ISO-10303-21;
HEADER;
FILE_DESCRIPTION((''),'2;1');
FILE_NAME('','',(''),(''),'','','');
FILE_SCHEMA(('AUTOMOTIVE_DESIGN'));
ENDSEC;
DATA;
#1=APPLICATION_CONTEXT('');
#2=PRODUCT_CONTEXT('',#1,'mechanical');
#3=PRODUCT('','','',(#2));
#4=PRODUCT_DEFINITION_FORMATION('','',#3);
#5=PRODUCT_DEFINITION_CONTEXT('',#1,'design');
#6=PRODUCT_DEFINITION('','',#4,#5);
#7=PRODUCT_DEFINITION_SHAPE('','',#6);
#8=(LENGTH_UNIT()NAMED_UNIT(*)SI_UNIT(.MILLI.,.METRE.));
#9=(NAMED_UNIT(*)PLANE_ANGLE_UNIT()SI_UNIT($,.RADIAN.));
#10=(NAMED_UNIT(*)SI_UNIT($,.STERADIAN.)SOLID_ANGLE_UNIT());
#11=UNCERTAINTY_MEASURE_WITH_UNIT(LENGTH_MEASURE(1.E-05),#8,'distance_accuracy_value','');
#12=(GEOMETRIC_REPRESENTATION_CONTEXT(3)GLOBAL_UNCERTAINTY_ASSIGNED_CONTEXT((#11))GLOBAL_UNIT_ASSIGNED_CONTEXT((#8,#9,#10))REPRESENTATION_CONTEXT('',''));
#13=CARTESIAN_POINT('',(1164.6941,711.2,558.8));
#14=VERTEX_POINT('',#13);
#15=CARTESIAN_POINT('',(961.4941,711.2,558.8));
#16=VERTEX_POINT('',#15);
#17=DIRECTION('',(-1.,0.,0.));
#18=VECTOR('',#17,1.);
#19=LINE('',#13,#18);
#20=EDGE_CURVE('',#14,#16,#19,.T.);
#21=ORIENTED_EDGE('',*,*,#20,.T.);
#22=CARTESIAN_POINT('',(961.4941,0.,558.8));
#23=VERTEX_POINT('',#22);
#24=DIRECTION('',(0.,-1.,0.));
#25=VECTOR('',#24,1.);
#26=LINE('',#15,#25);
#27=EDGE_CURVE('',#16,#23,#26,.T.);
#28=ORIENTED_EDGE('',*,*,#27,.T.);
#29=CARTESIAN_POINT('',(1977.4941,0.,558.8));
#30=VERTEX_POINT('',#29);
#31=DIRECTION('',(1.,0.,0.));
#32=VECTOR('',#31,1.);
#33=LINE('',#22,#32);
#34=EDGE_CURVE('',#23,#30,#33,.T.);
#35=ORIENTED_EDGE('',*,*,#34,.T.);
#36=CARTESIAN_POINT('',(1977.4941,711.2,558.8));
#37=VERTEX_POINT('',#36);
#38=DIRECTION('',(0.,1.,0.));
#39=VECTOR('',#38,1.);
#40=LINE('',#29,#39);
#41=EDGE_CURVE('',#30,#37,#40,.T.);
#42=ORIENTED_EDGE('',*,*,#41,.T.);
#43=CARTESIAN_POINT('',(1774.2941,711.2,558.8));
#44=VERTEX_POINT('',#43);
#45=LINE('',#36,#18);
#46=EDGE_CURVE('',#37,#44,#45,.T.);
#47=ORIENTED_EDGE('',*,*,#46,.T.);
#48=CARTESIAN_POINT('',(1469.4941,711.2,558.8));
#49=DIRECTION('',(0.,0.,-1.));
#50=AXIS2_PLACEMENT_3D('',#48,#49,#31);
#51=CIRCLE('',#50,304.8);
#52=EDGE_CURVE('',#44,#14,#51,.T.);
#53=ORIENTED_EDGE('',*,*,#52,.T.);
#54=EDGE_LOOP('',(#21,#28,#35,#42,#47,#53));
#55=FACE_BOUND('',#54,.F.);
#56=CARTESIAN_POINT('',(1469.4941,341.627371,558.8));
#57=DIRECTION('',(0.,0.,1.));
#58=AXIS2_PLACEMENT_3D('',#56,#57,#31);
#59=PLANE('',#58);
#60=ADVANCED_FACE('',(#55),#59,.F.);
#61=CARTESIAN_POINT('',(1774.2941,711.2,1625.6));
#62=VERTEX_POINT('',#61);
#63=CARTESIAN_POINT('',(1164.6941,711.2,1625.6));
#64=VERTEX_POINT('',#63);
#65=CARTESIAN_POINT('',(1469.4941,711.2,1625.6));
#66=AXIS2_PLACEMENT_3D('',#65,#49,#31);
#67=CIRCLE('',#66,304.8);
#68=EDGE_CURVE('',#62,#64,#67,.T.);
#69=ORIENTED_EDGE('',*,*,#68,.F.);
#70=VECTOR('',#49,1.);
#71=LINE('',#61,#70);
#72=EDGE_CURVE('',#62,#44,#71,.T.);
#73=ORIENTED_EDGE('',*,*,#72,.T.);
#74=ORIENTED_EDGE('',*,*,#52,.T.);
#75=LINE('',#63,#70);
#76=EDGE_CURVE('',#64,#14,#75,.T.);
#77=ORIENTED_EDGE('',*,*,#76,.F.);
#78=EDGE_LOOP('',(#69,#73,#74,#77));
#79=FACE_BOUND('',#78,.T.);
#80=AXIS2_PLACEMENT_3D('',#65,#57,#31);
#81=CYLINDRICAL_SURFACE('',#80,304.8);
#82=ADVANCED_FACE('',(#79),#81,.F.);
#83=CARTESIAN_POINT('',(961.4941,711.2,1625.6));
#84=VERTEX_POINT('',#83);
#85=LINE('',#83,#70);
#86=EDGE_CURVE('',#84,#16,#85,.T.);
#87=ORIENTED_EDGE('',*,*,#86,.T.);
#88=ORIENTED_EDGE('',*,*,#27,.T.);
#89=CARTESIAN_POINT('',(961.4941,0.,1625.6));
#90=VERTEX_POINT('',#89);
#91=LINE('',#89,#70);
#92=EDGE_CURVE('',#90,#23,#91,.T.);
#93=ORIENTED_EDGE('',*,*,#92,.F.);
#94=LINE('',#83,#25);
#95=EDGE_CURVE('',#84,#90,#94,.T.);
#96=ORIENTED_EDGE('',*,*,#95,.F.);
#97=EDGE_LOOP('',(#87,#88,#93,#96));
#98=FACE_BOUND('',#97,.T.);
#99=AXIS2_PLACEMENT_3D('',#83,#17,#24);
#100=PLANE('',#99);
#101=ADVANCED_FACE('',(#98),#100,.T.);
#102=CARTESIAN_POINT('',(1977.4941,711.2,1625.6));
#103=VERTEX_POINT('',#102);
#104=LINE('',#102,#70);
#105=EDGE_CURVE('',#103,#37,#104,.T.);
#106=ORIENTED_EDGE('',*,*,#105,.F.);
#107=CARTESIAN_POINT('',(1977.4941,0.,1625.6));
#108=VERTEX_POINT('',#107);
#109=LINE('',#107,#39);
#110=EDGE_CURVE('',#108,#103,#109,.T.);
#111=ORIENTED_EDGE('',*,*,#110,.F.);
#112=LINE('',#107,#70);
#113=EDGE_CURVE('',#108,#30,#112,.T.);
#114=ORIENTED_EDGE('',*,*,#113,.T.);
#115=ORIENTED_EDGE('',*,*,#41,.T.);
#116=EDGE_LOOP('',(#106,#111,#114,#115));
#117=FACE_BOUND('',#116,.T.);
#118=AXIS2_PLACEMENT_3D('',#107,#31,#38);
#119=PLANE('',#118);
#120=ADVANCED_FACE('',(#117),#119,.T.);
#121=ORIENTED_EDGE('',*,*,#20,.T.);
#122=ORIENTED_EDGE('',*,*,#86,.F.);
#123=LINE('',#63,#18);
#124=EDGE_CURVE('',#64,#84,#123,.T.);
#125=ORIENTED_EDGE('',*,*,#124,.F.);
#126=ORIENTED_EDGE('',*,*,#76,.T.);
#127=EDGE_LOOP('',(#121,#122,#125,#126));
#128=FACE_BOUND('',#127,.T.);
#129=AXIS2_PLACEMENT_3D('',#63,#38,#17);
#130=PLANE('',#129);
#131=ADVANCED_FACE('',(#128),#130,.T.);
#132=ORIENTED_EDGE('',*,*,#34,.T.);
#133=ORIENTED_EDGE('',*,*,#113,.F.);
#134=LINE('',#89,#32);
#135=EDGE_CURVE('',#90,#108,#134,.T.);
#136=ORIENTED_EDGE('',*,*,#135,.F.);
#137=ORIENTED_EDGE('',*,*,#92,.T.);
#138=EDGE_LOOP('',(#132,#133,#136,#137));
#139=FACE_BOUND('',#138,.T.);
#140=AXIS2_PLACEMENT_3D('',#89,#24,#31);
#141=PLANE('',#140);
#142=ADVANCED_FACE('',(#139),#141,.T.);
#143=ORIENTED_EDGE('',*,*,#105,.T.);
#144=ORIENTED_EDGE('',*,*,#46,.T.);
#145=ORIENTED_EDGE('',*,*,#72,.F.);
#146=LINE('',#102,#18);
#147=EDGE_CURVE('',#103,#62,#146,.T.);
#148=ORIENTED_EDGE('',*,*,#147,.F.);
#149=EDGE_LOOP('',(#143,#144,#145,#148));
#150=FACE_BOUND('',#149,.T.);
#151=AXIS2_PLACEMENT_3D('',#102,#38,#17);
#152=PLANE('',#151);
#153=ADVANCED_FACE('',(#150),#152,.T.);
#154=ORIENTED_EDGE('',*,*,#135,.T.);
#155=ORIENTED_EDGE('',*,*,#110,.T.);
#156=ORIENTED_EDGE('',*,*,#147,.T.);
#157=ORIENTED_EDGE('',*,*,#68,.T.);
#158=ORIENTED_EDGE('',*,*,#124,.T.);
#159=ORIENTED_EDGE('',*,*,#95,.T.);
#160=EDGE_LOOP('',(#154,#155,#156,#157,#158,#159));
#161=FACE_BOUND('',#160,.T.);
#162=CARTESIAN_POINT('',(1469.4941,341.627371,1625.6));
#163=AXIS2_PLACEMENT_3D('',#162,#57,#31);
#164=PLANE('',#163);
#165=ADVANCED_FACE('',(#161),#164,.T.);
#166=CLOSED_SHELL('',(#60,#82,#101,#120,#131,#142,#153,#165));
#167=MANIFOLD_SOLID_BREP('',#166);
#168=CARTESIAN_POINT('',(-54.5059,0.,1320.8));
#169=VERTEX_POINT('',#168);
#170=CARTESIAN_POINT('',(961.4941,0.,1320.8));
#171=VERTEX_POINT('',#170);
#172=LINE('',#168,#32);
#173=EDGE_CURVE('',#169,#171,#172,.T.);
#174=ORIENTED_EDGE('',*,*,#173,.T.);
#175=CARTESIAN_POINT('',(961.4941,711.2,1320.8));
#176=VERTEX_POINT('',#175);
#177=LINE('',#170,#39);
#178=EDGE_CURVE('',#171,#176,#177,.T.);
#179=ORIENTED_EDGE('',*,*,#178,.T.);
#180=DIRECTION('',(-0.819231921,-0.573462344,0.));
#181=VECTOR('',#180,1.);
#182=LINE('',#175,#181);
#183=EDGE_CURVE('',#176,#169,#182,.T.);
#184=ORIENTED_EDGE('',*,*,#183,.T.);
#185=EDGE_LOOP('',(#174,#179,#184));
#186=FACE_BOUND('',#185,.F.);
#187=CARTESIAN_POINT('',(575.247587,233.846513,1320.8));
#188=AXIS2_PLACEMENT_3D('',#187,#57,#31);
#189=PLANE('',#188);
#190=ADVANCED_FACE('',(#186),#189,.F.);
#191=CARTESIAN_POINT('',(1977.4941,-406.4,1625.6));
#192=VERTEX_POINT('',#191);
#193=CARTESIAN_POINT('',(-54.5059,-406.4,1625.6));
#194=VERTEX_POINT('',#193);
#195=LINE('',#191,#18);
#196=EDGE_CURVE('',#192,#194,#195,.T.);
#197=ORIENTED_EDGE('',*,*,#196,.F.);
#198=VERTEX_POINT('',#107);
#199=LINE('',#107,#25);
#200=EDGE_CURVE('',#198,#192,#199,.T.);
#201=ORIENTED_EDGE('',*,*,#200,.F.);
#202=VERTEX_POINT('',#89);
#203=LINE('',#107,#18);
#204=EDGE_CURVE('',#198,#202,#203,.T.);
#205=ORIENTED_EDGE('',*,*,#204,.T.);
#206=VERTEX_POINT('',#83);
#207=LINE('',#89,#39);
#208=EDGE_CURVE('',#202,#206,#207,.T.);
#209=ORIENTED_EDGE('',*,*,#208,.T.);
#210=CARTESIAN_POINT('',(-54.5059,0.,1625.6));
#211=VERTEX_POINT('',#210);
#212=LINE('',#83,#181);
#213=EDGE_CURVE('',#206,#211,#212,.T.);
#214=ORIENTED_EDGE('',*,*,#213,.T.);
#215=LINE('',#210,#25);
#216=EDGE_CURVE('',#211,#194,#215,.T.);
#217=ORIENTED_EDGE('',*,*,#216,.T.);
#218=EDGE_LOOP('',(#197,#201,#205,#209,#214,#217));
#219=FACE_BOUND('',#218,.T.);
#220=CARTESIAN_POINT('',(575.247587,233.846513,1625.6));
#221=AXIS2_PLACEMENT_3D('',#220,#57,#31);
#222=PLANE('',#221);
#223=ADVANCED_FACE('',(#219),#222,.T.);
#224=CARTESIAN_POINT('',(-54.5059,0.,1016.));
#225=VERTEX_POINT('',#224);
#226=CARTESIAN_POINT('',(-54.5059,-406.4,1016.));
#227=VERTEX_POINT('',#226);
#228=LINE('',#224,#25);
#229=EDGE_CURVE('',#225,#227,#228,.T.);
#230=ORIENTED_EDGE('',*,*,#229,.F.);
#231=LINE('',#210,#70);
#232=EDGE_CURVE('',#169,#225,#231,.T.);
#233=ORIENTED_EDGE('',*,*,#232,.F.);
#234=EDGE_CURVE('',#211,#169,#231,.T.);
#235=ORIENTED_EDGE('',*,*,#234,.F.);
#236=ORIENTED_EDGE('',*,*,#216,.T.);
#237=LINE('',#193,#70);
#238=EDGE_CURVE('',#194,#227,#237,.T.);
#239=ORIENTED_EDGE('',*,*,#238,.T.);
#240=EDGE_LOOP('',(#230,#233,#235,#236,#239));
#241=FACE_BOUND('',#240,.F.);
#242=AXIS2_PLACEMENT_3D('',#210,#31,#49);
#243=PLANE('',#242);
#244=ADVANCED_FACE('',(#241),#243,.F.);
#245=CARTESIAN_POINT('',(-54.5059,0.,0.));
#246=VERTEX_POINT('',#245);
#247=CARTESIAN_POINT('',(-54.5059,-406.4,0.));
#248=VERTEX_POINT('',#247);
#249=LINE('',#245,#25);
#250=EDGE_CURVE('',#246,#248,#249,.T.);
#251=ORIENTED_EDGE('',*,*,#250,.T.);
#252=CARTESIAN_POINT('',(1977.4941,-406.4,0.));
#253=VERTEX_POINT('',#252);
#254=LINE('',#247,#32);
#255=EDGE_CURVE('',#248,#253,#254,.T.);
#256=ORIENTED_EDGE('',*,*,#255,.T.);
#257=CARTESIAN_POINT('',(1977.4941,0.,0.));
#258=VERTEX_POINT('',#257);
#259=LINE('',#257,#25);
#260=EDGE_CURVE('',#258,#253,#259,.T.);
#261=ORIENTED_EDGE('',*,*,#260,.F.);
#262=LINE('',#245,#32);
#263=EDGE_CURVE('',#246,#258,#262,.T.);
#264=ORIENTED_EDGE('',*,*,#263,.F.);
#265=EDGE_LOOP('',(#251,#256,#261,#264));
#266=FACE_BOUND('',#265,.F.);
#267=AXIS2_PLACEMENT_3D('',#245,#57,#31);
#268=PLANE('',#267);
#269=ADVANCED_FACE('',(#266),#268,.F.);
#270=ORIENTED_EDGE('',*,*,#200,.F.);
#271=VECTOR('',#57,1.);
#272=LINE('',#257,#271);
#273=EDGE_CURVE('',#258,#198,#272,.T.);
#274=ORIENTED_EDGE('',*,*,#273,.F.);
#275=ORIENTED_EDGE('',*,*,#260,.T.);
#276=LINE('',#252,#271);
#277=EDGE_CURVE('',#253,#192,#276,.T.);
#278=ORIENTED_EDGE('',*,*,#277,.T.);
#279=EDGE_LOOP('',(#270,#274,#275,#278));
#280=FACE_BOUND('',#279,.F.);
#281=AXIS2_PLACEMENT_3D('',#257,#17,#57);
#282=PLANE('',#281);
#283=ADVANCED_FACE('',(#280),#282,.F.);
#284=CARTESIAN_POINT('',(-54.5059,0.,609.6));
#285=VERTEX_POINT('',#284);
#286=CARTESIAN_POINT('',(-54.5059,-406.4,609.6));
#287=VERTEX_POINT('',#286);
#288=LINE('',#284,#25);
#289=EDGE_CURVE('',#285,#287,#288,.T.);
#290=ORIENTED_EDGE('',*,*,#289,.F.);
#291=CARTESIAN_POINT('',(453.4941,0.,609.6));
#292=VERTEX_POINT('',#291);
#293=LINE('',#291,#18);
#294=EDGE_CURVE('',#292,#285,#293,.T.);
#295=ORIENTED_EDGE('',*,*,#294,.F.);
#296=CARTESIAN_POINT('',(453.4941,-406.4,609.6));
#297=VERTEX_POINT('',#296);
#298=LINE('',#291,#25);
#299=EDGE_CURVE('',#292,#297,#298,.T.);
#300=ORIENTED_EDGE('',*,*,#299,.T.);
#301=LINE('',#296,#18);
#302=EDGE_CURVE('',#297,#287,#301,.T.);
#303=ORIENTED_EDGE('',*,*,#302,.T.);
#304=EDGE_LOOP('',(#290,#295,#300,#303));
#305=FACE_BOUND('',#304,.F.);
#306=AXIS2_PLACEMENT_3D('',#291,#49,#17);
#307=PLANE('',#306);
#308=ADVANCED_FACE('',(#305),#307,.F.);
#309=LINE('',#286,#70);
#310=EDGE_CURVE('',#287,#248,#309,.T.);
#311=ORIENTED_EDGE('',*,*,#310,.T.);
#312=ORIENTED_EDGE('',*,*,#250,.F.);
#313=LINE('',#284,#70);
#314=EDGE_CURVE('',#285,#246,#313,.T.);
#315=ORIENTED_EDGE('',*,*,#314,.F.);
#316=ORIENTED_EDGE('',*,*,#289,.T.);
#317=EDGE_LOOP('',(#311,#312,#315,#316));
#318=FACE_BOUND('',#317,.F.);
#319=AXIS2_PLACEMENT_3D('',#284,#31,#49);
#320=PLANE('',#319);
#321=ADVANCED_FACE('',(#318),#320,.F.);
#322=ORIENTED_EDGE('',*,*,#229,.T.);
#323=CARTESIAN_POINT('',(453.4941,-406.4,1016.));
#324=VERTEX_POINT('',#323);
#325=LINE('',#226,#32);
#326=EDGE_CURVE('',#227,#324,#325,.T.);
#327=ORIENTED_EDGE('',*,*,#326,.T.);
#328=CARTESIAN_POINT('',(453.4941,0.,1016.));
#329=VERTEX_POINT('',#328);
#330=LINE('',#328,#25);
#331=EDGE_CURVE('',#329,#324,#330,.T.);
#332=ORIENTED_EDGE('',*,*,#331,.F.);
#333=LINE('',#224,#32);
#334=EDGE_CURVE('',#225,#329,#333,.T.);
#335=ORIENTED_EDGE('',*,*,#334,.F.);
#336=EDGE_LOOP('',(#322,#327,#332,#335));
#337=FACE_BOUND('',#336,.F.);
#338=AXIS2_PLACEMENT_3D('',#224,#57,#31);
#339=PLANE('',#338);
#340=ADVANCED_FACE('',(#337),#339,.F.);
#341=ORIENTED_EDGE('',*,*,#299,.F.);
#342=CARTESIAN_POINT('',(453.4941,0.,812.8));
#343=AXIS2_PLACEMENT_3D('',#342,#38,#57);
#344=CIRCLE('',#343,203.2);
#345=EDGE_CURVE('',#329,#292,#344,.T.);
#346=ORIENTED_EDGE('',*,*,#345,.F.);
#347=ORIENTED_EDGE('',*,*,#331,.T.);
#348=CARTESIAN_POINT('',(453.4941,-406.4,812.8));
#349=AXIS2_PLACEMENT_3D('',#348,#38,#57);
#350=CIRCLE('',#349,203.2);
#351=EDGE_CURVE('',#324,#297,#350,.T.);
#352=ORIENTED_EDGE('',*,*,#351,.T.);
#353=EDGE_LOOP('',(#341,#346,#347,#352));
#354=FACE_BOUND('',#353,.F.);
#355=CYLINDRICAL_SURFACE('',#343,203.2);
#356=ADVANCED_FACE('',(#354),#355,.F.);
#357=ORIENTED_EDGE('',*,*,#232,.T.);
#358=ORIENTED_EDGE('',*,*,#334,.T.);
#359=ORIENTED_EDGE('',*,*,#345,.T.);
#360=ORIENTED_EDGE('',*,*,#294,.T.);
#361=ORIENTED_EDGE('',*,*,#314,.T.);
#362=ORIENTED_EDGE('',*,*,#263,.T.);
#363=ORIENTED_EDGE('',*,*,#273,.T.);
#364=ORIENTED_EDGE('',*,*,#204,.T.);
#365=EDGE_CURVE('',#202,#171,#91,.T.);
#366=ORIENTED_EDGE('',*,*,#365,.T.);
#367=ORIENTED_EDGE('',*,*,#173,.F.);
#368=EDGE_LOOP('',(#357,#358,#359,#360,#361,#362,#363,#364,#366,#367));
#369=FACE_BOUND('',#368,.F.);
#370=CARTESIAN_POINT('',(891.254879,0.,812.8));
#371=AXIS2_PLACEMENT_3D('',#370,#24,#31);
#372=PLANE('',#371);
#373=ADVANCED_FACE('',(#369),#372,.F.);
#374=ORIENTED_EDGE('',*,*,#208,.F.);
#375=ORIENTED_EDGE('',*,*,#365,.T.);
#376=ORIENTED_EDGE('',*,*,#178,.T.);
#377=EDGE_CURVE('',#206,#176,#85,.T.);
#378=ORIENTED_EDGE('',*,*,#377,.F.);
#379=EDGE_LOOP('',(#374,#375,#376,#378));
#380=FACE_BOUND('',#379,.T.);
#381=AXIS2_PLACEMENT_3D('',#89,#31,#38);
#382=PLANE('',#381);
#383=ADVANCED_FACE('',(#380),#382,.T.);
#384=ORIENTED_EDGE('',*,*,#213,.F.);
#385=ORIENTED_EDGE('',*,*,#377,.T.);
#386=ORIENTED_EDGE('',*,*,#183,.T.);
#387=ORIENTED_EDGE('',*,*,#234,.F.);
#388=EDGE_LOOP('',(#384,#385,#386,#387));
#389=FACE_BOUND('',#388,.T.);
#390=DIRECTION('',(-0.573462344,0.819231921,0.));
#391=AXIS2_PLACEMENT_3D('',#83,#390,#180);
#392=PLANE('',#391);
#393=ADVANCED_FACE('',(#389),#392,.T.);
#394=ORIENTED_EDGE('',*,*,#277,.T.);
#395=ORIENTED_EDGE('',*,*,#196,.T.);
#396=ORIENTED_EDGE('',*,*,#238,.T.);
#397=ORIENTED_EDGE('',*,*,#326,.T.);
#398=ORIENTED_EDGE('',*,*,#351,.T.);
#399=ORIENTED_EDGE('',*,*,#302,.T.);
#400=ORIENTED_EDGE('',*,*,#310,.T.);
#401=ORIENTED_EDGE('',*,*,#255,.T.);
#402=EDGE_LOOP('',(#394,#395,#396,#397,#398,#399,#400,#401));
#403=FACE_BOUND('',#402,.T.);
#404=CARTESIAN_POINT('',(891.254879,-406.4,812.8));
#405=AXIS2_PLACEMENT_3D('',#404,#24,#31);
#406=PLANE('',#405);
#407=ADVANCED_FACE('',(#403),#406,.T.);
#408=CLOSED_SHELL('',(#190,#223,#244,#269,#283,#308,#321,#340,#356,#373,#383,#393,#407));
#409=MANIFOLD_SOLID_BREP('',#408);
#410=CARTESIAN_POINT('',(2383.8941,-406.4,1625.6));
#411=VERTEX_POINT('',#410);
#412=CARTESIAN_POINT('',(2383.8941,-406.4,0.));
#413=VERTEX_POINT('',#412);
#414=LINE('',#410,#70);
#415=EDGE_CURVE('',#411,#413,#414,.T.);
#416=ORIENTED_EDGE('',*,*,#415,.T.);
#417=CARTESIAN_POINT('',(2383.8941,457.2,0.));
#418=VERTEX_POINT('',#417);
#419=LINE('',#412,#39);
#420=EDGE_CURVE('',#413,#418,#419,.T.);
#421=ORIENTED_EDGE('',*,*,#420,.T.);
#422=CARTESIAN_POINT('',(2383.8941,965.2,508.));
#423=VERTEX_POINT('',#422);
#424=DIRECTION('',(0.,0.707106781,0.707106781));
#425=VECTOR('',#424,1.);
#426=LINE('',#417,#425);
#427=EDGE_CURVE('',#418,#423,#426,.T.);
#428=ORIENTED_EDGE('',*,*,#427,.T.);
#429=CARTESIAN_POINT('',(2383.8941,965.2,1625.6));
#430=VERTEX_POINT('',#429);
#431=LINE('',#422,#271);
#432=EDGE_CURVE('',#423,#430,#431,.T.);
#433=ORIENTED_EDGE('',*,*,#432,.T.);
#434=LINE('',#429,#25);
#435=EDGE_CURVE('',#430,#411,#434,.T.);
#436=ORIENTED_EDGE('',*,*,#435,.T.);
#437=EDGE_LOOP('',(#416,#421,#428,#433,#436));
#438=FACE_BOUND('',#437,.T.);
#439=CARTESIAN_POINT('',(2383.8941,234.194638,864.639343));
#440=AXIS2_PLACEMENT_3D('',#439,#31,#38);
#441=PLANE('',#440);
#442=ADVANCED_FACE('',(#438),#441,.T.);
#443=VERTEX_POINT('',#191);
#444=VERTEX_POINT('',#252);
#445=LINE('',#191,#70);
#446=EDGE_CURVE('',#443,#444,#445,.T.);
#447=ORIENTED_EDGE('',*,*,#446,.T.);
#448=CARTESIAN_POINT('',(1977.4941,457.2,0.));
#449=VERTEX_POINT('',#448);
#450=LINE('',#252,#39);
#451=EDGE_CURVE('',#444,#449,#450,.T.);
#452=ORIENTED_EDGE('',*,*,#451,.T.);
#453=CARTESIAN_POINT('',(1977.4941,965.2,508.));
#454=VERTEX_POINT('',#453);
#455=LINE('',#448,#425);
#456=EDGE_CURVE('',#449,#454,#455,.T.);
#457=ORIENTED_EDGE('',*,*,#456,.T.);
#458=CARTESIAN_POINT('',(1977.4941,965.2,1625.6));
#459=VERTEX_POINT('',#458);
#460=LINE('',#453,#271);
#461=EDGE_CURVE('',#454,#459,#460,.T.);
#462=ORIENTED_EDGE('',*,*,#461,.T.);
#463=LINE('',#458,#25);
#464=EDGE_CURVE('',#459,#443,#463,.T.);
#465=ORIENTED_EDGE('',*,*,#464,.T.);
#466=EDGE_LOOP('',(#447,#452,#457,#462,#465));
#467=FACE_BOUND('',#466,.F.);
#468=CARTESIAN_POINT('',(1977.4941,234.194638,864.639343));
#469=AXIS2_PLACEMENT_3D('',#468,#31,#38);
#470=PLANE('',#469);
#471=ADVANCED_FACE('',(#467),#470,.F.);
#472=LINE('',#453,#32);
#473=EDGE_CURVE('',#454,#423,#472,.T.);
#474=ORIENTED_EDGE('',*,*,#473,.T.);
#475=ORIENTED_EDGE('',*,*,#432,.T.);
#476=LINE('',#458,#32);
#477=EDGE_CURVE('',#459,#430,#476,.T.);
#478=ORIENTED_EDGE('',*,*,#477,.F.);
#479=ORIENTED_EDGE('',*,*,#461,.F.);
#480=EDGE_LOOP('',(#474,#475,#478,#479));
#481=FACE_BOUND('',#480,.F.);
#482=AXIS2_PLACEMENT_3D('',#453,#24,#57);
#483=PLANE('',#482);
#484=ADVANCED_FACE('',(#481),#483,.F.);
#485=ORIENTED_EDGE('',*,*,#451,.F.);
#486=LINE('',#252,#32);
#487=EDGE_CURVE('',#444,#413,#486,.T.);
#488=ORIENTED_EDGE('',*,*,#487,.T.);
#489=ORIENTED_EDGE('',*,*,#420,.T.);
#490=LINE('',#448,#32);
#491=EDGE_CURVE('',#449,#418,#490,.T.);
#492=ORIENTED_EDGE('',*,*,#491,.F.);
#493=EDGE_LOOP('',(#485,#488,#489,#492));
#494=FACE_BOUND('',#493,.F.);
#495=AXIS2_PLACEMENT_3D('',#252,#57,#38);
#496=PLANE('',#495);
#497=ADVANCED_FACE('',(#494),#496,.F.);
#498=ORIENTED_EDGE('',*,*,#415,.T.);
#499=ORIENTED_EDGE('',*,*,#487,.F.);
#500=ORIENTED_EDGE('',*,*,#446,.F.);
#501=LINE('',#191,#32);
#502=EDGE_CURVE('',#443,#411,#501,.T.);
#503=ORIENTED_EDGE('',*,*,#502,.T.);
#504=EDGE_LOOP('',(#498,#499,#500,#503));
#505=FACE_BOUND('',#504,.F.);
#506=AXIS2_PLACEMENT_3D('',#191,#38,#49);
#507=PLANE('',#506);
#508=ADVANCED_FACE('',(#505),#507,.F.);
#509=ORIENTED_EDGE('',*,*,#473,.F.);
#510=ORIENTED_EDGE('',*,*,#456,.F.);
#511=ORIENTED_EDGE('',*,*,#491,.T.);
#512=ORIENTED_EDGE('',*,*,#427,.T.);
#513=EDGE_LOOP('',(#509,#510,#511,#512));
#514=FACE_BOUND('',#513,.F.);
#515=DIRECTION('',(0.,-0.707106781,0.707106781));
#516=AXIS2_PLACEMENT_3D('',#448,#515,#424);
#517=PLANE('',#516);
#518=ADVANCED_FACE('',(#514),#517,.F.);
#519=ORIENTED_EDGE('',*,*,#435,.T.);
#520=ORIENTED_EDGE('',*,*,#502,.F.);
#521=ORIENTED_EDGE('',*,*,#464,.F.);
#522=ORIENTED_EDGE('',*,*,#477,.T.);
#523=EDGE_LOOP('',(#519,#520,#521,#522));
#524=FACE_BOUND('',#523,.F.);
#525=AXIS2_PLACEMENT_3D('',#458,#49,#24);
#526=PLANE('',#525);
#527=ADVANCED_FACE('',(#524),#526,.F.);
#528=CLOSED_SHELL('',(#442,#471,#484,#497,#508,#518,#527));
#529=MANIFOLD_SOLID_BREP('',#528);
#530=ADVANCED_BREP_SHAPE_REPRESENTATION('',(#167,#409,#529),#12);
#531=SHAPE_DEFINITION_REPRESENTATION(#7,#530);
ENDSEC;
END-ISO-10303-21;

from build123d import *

# Parameters (mm, degrees)
F1_DEPTH = 406.4
F3_DEPTH = 304.8
F6_DEPTH = 1066.8
F7_DEPTH = 406.4


with BuildPart() as f1:
    # F0 (on Front) → F1 (new body)
    with BuildSketch(Plane.XZ):
        with BuildLine():
            Line((-54.5059, 0), (1977.4941, 0))
            Line((1977.4941, 0), (1977.4941, 1625.6))
            Line((1977.4941, 1625.6), (-54.5059, 1625.6))
            Line((-54.5059, 1625.6), (-54.5059, 1016))
            Line((-54.5059, 1016), (453.4941, 1016))
            ThreePointArc((453.4941, 1016), (656.6941, 812.8), (453.4941, 609.6))
            Line((453.4941, 609.6), (-54.5059, 609.6))
            Line((-54.5059, 609.6), (-54.5059, 0))
        make_face()
    extrude(amount=F1_DEPTH)

    # F2 (on face) → F3 (join)
    with BuildSketch(Plane.XY.offset(1625.6)):
        Polygon((961.4941, 711.2), (-54.5059, 0), (961.4941, 0), align=None)
    extrude(amount=-F3_DEPTH)


with BuildPart() as f6:
    # F5 (on face) → F6 (new body)
    with BuildSketch(Plane.XY.offset(1625.6)):
        with BuildLine():
            Line((1164.6941, 711.2), (961.4941, 711.2))
            Line((961.4941, 711.2), (961.4941, 0))
            Line((961.4941, 0), (1977.4941, 0))
            Line((1977.4941, 0), (1977.4941, 711.2))
            Line((1977.4941, 711.2), (1774.2941, 711.2))
            ThreePointArc((1774.2941, 711.2), (1469.4941, 406.4), (1164.6941, 711.2))
        make_face()
    extrude(amount=-F6_DEPTH)


with BuildPart() as f7:
    # F4 (on face) → F7 (new body)
    with BuildSketch(Plane.YZ.offset(1977.4941)):
        Polygon((965.2, 508), (965.2, 1625.6), (-406.4, 1625.6), (-406.4, 0), (457.2, 0), align=None)
    extrude(amount=F7_DEPTH)


solid = Compound([f1.part, f6.part, f7.part])
